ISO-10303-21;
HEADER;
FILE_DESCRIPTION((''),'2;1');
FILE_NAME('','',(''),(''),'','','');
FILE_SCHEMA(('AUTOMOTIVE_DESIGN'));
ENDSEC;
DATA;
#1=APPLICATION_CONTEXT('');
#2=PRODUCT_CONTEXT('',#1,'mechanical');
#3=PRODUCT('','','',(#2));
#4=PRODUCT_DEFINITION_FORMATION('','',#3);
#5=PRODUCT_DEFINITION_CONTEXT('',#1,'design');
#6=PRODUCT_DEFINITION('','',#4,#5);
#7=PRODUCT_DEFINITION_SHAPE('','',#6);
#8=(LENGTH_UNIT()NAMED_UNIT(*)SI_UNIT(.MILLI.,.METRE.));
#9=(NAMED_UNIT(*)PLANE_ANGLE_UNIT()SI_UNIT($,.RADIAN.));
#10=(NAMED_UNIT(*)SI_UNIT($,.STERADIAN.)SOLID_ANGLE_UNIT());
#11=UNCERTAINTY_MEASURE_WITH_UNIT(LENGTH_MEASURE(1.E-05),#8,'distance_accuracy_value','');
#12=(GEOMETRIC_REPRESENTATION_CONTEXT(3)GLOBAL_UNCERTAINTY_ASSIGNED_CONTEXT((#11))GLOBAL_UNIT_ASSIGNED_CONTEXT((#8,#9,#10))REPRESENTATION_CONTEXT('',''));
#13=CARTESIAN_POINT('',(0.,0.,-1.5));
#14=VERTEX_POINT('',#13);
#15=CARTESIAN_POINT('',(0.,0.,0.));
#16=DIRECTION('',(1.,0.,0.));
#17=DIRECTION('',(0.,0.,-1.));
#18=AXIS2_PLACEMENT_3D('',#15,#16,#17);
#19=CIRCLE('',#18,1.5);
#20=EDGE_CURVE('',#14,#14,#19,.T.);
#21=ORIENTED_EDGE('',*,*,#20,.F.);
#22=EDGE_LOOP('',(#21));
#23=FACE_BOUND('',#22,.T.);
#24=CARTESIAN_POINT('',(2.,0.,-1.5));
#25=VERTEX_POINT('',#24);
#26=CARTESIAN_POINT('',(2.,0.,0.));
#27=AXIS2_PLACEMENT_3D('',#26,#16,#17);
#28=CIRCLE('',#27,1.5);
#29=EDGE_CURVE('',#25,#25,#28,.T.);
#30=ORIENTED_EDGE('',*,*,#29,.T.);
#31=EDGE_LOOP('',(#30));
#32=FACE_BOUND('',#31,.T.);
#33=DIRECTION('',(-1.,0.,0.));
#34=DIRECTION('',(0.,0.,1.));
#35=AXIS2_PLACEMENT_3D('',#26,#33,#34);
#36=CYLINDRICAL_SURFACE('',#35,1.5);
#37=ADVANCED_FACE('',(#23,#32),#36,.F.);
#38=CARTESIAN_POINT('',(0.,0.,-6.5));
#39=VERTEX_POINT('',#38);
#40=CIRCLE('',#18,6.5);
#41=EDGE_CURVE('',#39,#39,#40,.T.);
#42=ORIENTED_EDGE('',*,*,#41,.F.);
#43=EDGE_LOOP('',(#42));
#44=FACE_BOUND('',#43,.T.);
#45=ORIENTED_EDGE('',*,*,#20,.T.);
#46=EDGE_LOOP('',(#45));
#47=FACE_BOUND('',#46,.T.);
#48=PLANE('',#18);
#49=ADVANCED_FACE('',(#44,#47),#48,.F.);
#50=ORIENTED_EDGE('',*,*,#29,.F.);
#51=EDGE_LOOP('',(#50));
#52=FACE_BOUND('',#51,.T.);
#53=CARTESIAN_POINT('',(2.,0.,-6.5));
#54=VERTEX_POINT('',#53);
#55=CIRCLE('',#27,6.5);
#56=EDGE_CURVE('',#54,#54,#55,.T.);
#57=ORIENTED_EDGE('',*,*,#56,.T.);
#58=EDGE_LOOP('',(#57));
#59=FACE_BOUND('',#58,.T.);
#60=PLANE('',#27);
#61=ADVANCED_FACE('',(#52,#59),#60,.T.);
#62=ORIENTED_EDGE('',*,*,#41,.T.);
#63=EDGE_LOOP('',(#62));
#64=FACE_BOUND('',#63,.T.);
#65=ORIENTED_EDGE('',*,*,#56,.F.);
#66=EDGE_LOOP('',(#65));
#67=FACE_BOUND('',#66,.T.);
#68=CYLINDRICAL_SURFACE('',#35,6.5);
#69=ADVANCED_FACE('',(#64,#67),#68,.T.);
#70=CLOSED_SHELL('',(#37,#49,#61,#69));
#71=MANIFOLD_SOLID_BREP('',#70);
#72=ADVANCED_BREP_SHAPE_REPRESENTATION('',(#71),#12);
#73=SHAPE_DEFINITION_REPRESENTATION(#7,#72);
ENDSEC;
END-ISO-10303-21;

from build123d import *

# Parameters (mm, degrees)
CROQUIS1_R              = 6.5
CROQUIS1_R_2            = 1.5
SALIENTE_EXTRUIR1_DEPTH = 2


with BuildPart() as part:
    # Croquis1 → Saliente-Extruir1 (new body)
    with BuildSketch(Plane(origin=(0, 0, 0), x_dir=(0, 0, -1), z_dir=(1, 0, 0))):
        Circle(CROQUIS1_R)
        Circle(CROQUIS1_R_2, mode=Mode.SUBTRACT)
    extrude(amount=SALIENTE_EXTRUIR1_DEPTH)


solid = part.part
